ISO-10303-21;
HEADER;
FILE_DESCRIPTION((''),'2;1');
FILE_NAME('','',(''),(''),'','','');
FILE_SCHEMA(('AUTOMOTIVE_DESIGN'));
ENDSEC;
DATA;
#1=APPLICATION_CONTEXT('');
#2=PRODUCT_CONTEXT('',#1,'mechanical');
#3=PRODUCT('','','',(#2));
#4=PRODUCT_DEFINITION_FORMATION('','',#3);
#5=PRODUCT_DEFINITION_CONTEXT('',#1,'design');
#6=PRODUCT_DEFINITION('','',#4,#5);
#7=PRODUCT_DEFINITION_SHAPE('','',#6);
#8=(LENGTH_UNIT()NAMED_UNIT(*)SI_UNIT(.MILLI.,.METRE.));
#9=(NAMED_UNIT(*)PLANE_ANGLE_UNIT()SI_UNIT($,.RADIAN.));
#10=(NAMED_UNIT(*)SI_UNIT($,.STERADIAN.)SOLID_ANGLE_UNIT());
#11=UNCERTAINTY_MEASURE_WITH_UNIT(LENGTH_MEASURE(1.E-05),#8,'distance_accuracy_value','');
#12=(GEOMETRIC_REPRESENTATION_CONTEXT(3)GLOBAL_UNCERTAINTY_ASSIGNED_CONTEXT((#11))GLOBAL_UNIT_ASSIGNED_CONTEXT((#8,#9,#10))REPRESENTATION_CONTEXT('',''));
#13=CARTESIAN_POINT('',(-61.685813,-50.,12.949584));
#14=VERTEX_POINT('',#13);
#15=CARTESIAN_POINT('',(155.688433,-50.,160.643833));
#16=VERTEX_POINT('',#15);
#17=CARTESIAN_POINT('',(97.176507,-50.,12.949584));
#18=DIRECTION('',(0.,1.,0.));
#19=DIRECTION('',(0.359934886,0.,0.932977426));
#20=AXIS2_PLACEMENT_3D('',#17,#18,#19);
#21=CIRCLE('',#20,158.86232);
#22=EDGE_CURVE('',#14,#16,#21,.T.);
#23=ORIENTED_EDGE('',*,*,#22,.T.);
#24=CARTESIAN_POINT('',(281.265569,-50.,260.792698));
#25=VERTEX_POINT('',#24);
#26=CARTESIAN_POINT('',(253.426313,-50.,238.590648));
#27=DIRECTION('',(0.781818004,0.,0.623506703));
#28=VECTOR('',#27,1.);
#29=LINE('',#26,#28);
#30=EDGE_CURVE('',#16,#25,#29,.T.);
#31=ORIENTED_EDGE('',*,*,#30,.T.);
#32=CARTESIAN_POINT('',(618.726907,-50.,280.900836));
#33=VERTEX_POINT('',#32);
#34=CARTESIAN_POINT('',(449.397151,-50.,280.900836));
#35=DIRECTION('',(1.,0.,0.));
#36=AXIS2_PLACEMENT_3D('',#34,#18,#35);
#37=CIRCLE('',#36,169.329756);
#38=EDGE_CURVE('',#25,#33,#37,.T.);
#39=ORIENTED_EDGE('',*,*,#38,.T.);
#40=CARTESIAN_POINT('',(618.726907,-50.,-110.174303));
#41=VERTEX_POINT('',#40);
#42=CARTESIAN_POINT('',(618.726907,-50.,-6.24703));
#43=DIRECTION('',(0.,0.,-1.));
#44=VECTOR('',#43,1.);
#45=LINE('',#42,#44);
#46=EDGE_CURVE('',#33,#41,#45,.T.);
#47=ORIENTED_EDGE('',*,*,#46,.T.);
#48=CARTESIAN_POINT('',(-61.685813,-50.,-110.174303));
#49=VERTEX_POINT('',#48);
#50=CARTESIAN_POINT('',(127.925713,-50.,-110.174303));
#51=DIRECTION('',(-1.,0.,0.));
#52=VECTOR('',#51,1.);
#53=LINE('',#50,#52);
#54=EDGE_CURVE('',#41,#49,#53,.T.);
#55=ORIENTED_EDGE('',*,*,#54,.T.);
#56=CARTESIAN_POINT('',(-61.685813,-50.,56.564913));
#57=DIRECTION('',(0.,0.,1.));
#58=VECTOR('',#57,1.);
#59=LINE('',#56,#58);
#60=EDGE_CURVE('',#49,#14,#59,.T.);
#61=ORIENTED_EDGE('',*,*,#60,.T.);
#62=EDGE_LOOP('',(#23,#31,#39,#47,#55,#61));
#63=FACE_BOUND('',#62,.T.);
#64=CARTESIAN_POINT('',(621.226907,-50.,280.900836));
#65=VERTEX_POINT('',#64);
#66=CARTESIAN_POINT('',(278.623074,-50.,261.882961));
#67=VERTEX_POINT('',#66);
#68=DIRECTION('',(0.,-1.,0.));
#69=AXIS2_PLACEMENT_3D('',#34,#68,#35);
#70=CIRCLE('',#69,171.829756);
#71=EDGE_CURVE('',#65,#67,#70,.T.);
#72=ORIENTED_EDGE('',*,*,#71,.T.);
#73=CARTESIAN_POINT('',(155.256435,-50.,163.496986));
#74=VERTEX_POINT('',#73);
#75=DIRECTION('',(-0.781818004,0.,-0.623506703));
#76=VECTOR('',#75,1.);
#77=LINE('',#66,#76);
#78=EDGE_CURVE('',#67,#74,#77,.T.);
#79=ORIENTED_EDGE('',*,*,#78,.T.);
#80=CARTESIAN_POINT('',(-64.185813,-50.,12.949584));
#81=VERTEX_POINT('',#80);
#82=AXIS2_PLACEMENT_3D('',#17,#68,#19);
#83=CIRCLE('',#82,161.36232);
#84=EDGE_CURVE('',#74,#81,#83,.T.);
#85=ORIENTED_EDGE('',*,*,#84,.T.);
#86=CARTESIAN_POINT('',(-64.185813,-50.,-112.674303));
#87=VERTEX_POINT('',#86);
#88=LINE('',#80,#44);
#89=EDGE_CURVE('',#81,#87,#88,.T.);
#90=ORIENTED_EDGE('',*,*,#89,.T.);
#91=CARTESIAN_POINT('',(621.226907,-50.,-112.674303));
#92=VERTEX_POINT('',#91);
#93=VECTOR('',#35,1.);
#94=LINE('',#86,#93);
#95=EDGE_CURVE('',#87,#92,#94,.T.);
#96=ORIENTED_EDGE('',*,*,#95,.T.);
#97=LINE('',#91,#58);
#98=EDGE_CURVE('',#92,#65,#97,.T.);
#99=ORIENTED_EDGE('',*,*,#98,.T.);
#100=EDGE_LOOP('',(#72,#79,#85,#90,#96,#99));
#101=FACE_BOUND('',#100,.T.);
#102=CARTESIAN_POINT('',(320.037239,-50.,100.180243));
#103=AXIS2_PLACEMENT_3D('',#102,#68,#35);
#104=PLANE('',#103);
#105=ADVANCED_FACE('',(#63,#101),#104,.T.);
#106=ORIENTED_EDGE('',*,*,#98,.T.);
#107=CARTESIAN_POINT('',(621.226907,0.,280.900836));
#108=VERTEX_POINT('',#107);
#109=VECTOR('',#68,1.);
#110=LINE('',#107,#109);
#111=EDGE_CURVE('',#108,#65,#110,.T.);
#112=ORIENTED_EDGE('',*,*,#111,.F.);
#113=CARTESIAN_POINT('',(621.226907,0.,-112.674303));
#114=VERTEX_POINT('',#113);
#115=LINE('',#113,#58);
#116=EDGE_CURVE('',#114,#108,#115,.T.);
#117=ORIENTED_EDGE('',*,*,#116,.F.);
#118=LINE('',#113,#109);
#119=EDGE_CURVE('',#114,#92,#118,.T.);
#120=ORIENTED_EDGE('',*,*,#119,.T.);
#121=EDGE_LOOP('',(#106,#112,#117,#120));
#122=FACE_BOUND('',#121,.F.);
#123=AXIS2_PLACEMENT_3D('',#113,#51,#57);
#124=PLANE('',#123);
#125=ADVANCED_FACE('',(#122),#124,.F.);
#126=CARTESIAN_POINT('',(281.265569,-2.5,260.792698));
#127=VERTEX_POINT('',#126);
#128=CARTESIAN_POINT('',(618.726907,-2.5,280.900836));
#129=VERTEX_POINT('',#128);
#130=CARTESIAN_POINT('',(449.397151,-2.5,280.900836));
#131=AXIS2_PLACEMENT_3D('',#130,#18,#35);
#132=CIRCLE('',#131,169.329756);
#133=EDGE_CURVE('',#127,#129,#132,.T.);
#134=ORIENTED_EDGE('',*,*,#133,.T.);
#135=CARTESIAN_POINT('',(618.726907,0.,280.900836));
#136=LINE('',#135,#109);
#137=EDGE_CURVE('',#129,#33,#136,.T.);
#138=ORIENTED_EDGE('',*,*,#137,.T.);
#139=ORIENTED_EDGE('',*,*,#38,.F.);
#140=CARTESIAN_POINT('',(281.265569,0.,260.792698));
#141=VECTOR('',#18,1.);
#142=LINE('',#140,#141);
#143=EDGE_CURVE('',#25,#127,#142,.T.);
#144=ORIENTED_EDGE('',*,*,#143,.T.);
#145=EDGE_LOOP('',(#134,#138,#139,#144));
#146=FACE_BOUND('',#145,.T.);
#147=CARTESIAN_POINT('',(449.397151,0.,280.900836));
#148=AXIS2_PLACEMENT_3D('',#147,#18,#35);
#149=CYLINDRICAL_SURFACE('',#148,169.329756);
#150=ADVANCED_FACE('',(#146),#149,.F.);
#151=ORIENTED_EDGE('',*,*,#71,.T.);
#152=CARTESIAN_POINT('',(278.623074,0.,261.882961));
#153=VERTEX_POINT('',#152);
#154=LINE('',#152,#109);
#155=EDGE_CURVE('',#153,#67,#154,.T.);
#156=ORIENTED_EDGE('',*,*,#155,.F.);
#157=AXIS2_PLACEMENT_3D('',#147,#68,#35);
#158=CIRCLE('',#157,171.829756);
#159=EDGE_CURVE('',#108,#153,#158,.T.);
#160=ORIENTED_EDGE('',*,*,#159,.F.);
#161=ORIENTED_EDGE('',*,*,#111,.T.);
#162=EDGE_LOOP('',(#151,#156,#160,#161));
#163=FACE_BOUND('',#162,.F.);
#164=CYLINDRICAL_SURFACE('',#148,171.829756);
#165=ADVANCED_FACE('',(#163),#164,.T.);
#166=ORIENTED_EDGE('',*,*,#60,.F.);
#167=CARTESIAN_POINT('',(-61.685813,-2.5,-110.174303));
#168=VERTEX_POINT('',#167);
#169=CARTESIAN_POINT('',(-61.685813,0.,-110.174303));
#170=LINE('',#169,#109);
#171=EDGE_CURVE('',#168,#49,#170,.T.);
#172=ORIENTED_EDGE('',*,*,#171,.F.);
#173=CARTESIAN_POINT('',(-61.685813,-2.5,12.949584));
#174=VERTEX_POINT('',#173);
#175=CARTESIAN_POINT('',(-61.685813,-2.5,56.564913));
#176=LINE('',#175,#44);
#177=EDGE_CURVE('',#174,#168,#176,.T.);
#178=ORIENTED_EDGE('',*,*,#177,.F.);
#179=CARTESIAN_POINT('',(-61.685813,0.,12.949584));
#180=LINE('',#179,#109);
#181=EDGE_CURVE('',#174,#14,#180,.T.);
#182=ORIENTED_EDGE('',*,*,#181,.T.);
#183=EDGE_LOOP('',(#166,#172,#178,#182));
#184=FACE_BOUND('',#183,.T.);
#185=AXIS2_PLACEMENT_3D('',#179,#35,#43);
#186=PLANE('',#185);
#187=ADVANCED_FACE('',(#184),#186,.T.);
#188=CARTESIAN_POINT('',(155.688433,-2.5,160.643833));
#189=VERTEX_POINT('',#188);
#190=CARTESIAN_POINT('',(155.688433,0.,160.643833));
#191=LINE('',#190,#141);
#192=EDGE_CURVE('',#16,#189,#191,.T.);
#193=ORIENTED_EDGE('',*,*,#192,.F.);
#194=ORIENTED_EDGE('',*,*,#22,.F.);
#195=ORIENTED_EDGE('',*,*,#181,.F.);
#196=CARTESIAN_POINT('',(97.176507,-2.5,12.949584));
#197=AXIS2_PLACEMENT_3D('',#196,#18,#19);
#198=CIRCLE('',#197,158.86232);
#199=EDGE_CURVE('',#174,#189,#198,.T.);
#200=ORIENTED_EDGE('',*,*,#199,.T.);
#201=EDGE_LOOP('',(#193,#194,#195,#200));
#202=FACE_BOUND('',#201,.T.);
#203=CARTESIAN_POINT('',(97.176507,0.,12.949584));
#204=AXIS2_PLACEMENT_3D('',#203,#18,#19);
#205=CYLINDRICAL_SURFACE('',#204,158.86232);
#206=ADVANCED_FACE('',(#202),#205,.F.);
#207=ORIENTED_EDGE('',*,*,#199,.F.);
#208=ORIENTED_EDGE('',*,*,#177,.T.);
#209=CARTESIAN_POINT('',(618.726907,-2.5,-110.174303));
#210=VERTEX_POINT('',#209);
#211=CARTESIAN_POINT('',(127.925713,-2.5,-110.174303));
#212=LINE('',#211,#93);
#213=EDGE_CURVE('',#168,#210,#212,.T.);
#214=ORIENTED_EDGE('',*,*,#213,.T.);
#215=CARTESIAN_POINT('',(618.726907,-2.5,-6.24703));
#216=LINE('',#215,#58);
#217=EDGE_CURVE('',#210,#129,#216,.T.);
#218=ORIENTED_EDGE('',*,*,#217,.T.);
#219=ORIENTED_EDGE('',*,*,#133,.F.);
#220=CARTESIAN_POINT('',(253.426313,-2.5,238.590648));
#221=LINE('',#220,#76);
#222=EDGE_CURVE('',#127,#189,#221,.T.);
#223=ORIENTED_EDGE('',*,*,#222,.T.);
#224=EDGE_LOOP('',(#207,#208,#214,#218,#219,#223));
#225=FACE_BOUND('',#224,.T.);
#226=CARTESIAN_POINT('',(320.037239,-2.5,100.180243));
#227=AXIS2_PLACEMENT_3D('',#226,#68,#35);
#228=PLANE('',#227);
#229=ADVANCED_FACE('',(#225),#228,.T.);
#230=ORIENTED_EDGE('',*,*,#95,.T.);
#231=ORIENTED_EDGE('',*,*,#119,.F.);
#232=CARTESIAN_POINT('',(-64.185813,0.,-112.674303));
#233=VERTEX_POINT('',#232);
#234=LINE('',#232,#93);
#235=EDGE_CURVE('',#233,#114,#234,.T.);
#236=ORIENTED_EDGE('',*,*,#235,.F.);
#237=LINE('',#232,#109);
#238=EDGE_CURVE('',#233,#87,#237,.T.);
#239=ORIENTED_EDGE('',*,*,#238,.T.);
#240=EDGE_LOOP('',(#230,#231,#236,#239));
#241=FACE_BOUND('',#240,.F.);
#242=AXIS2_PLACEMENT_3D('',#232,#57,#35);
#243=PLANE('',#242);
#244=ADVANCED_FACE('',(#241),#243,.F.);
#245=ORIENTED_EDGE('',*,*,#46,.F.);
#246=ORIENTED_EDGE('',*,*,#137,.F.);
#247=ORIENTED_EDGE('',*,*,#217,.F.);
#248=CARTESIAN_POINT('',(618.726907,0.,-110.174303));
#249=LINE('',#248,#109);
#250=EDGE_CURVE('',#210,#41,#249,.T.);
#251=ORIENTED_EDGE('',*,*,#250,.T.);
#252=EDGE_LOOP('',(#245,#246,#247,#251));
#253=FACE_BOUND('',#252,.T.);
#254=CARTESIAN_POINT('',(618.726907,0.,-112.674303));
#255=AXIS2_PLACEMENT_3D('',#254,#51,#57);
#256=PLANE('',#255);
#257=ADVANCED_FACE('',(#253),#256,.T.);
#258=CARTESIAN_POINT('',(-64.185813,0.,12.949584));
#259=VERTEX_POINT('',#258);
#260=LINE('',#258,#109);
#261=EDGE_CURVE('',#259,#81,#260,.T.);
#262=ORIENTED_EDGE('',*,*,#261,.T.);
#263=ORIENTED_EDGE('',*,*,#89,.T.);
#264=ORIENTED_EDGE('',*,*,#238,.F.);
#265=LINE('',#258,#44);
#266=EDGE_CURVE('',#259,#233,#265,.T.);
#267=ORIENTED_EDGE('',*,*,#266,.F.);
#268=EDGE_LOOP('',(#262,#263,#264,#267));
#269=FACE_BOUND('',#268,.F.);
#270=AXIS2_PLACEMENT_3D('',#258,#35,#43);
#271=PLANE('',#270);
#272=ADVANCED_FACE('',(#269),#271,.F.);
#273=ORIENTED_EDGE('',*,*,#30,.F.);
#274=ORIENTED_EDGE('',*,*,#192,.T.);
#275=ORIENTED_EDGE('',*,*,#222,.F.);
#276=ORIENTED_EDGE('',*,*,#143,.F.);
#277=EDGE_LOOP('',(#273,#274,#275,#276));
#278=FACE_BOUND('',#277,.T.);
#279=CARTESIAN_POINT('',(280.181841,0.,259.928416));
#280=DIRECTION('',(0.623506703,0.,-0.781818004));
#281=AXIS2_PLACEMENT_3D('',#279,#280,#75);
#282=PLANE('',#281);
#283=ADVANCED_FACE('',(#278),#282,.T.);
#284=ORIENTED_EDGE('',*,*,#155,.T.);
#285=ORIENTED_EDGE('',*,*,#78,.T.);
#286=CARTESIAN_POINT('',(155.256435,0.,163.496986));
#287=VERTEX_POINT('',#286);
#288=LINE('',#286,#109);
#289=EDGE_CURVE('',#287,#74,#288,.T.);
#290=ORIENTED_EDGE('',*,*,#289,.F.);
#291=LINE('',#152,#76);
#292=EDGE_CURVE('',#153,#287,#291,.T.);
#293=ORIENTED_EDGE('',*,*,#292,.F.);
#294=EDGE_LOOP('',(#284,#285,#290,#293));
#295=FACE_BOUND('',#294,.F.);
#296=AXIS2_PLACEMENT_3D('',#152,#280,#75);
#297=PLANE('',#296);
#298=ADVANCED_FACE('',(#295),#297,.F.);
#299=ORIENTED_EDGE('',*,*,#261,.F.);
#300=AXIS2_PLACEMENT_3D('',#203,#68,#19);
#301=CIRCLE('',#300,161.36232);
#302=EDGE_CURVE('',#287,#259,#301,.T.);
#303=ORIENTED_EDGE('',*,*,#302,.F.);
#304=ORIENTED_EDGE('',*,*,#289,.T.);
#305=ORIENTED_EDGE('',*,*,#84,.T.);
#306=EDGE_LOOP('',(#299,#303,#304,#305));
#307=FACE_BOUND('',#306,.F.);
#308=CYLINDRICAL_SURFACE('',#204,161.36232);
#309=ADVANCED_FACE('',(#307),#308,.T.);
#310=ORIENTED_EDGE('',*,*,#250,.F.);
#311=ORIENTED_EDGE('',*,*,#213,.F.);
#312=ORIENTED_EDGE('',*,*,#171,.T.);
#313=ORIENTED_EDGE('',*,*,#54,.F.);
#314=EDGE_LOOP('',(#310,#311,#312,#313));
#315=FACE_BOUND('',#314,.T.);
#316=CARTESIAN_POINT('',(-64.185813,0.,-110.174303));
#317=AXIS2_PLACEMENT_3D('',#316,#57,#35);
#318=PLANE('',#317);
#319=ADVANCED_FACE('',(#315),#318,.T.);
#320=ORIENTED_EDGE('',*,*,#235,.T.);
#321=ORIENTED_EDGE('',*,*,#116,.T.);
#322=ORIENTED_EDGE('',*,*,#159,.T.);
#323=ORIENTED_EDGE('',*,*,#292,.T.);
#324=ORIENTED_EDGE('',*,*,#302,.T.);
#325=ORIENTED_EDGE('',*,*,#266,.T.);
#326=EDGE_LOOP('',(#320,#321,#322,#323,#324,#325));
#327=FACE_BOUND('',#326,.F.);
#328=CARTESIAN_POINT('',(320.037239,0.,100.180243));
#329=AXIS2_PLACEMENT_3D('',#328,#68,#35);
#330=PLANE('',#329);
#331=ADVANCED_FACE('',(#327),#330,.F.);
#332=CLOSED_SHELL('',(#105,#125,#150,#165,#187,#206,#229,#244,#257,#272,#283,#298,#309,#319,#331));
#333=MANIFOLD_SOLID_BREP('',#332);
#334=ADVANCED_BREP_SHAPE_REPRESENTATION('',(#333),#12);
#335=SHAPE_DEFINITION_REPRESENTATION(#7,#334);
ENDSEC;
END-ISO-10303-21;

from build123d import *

# Parameters (mm, degrees)
F1_DEPTH = 50
F2_T     = -2.5


with BuildPart() as f1:
    # F0 (on Front) → F1 (new body)
    with BuildSketch(Plane.XZ):
        with BuildLine():
            ThreePointArc((155.2564352751, 163.4969860315), (5.8915510694, 146.0091765296), (-64.1858130693, 12.949584052))
            Line((-64.1858130693, 12.949584052), (-64.1858130693, -112.6743033528))
            Line((-64.1858130693, -112.6743033528), (621.2269067764, -112.6743033528))
            Line((621.2269067764, -112.6743033528), (621.2269067764, 280.9008359909))
            ThreePointArc((621.2269067764, 280.9008359909), (439.8735747108, 452.4664689198), (278.6230742931, 261.8829607964))
            Line((278.6230742931, 261.8829607964), (155.2564352751, 163.4969860315))
        make_face()
    extrude(amount=F1_DEPTH)

    # F2
    f2_openings = [f1.faces().sort_by_distance(p)[0] for p in [
        (335.096712, -50, 111.093297),
    ]]
    offset(amount=F2_T, openings=f2_openings, kind=Kind.INTERSECTION)


solid = f1.part
